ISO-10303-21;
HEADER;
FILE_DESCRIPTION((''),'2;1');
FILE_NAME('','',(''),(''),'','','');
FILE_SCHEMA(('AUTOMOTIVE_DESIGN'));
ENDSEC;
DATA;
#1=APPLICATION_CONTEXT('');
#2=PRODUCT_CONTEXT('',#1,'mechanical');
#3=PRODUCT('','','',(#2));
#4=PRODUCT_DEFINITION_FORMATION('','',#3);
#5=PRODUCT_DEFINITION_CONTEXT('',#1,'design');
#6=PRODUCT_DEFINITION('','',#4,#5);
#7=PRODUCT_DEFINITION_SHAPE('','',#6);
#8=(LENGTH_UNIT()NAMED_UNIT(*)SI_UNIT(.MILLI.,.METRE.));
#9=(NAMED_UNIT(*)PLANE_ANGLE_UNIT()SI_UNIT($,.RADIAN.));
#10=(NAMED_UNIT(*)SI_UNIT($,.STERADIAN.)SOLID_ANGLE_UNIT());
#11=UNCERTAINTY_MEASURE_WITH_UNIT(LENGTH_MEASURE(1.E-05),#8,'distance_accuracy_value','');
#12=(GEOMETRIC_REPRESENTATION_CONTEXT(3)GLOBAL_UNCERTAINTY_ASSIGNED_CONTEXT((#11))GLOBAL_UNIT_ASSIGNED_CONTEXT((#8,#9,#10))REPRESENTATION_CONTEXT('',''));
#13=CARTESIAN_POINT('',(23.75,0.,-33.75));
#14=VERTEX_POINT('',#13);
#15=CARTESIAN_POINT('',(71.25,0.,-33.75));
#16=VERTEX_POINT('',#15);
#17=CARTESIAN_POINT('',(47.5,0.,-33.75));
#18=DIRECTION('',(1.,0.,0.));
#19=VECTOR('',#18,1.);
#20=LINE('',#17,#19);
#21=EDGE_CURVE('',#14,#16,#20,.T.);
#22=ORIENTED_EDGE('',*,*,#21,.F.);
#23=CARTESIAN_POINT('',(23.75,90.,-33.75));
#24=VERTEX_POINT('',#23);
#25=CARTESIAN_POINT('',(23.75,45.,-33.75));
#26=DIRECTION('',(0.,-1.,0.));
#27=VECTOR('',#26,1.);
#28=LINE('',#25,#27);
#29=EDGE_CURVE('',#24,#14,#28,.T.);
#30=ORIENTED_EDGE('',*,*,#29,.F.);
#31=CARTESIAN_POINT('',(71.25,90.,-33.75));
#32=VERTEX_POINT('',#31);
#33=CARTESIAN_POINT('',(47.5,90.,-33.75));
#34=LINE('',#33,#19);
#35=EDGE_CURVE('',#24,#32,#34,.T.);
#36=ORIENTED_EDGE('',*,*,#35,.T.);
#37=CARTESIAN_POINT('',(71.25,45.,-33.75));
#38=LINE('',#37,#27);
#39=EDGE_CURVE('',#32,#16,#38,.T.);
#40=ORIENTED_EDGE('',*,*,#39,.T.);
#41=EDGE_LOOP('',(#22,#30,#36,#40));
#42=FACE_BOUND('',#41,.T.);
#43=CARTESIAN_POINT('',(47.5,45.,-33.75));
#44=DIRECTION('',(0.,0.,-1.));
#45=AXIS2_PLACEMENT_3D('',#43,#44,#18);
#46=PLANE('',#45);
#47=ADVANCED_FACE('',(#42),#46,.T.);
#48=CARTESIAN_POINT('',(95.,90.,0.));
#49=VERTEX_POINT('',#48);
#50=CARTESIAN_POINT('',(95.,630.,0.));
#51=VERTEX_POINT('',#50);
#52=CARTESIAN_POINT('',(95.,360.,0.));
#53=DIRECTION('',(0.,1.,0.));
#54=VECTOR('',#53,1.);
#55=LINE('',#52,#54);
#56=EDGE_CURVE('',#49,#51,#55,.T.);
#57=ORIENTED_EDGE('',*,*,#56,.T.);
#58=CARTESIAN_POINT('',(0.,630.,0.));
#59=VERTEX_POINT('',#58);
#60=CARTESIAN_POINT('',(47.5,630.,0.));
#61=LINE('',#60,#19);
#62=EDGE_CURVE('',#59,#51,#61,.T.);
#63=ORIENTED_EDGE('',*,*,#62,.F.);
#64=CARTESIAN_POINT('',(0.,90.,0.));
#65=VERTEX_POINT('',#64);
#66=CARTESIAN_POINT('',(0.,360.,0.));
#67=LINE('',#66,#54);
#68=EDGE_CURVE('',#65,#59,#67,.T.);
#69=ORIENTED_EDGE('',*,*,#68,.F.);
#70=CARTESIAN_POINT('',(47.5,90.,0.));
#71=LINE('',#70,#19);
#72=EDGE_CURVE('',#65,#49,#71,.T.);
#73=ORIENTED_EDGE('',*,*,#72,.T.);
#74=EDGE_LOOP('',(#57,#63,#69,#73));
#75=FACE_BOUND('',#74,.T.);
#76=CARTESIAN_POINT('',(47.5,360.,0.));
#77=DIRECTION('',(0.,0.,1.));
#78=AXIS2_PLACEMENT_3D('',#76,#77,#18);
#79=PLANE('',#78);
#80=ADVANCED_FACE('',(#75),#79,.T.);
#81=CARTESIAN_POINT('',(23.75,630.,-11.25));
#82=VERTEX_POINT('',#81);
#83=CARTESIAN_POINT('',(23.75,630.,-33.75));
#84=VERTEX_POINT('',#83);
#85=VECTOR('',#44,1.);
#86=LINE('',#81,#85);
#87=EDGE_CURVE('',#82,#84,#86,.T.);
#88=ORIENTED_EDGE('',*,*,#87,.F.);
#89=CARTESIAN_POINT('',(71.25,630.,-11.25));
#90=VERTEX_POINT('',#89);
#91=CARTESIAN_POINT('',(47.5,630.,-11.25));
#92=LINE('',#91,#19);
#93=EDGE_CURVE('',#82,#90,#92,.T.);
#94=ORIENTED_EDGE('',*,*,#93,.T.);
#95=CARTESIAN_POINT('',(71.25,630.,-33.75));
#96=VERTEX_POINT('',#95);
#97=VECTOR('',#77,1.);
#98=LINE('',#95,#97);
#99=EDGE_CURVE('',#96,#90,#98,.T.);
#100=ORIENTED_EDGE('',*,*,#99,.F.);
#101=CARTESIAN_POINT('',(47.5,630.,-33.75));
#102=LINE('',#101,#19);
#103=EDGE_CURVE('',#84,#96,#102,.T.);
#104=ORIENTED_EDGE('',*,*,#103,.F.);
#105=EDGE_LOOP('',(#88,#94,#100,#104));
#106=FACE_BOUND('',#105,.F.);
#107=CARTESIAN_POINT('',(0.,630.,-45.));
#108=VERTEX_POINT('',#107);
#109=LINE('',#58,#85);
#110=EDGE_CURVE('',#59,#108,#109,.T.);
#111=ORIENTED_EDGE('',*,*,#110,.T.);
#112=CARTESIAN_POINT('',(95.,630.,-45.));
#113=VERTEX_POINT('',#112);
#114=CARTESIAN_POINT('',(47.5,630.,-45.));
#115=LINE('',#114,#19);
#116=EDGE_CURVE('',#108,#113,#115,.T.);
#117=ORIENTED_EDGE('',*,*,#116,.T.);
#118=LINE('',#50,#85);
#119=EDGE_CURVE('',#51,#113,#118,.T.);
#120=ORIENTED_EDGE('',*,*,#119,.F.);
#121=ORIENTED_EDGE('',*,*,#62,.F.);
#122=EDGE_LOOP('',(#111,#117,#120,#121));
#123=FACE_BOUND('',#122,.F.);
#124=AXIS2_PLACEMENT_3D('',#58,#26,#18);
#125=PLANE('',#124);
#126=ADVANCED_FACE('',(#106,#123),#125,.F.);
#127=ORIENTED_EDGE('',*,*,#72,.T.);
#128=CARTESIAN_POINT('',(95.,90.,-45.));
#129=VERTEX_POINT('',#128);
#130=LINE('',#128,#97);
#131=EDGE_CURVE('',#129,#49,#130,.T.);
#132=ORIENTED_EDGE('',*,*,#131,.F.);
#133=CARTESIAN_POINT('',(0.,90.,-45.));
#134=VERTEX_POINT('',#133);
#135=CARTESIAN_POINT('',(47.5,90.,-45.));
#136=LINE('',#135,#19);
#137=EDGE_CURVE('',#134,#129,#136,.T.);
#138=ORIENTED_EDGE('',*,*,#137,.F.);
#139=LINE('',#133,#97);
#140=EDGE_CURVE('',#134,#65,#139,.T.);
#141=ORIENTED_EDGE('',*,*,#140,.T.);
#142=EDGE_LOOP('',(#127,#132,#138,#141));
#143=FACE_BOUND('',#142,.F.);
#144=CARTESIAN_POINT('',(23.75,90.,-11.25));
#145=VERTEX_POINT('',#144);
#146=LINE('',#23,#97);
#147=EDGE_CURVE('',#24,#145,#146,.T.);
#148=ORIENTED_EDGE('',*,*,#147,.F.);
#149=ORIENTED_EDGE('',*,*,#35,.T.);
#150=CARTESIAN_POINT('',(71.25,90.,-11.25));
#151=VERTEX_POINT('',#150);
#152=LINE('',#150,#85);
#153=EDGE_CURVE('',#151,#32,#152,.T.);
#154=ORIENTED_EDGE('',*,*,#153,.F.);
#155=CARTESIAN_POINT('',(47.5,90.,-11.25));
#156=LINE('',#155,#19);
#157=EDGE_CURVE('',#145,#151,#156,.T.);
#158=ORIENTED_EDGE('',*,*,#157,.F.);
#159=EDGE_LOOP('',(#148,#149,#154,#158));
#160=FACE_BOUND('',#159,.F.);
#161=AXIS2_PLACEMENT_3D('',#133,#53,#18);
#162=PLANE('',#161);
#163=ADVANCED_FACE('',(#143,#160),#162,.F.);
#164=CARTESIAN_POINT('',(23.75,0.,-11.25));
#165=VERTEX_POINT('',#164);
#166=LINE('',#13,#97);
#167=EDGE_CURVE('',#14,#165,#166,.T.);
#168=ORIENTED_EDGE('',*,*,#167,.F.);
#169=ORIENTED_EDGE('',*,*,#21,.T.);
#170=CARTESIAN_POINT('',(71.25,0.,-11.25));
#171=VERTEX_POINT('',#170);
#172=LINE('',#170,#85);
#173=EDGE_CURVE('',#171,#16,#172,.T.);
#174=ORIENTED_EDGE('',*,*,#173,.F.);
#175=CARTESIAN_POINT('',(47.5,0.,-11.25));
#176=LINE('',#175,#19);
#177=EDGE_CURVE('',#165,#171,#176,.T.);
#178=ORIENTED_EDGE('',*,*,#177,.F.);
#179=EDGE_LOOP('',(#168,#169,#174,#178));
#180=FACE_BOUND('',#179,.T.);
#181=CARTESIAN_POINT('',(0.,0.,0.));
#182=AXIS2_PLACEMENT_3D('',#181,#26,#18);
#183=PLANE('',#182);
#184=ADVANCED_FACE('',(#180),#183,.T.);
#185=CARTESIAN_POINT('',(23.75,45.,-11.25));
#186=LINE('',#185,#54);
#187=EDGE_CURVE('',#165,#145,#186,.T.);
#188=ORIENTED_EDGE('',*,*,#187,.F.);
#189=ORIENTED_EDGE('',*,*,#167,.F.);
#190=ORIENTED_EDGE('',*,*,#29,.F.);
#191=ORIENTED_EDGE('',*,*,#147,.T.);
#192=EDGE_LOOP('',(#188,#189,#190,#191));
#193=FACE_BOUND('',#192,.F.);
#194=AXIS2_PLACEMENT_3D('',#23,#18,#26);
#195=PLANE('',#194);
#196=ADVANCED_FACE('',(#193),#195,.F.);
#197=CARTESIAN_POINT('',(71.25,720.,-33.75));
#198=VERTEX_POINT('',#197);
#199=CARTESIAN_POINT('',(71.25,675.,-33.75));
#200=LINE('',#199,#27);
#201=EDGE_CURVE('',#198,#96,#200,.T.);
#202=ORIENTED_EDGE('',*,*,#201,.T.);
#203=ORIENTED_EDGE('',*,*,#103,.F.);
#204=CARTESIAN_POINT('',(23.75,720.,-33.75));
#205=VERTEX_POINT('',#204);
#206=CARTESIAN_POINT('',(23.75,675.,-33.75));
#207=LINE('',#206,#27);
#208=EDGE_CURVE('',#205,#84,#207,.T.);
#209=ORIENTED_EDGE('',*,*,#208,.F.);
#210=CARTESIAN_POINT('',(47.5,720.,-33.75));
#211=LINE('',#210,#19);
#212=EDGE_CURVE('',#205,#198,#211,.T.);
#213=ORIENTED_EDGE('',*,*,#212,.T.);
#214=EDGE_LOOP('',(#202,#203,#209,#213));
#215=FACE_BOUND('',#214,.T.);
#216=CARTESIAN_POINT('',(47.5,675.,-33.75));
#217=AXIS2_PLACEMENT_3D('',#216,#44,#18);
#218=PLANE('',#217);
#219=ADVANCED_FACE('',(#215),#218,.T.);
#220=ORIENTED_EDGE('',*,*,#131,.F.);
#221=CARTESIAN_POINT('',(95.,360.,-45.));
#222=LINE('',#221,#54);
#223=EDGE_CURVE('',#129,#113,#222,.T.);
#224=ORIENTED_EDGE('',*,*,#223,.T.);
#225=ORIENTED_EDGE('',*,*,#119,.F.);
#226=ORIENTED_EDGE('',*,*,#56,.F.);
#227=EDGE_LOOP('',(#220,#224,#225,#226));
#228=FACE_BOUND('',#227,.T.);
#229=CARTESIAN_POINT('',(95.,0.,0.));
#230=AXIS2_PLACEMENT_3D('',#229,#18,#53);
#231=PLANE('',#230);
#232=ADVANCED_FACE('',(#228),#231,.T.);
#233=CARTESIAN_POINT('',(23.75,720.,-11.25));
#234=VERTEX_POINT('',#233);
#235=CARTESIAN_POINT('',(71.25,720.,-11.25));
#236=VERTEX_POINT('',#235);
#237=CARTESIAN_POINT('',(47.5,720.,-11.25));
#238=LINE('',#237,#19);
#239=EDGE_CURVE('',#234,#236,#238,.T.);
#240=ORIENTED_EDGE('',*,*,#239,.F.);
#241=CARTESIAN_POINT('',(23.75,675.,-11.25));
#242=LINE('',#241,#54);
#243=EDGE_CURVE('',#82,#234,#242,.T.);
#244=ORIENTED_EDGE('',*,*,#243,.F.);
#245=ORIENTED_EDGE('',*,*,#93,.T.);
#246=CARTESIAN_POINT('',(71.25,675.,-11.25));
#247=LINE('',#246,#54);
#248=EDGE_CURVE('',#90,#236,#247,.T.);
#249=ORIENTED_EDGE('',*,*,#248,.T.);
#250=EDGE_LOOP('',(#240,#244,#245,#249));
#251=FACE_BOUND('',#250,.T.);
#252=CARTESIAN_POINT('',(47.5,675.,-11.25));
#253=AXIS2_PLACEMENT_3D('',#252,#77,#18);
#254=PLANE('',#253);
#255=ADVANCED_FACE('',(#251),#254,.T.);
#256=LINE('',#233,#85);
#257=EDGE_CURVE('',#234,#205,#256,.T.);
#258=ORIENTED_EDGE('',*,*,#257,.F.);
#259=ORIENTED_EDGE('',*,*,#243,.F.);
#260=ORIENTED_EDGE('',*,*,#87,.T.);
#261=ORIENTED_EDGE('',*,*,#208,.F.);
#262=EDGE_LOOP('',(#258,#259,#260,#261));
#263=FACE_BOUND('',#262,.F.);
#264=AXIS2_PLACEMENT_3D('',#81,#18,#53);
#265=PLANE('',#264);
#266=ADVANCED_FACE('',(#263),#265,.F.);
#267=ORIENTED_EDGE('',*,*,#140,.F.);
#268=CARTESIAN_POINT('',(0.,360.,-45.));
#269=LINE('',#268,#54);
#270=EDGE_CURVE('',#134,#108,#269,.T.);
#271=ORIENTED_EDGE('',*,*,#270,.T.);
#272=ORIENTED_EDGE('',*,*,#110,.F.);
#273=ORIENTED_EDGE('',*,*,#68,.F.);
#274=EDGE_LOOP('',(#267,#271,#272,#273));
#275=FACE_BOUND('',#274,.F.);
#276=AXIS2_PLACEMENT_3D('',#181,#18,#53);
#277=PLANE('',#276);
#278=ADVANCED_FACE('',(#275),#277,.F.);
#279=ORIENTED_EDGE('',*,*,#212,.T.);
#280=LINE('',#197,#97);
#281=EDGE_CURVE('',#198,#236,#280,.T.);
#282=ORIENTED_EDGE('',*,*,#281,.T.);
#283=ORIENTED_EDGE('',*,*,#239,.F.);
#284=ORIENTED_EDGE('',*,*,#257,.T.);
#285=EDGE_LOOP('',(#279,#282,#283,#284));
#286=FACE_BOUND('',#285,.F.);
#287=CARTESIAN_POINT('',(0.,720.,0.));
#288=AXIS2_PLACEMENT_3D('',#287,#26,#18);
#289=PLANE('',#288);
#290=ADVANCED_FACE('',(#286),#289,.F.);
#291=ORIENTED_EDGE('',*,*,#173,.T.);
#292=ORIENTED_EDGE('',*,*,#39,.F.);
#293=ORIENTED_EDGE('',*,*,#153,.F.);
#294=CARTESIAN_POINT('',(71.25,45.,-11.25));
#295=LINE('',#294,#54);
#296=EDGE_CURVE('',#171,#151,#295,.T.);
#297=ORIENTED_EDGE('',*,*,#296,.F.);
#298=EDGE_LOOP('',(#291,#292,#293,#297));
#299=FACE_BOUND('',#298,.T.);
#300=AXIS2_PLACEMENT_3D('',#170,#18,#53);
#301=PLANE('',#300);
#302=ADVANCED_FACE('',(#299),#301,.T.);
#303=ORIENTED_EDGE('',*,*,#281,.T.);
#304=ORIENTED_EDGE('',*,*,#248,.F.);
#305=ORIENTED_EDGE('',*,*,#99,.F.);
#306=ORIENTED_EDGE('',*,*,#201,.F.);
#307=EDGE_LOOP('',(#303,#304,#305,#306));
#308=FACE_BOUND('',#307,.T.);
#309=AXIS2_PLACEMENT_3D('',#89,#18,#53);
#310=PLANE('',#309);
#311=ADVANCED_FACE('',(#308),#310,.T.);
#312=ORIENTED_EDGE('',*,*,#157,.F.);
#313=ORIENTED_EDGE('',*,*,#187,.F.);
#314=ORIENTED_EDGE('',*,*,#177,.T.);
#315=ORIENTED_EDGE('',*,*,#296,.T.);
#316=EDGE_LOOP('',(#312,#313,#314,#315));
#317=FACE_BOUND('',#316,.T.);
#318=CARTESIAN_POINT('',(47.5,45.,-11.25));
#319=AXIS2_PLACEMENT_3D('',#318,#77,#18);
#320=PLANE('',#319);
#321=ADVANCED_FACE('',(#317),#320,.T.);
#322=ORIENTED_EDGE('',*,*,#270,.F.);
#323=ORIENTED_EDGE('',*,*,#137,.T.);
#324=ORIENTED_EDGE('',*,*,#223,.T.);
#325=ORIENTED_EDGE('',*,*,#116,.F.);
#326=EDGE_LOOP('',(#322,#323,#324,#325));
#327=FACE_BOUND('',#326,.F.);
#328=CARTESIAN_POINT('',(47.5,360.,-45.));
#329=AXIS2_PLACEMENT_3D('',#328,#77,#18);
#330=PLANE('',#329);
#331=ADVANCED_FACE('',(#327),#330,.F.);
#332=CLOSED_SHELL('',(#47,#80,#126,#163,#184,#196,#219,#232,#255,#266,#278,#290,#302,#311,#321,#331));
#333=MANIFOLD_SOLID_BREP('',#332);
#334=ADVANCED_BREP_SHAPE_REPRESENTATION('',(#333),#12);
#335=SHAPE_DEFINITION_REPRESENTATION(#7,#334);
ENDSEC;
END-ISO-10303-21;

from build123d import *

# Parameters (mm, degrees)
SKETCH004_W     = 95
SKETCH004_H     = 720
PAD002_DEPTH    = 45
SKETCH014_W     = 95
SKETCH014_H     = 90
POCKET008_DEPTH = 11.25
SKETCH015_W     = 95
SKETCH015_H     = 90
POCKET009_DEPTH = 11.25
SKETCH016_W     = 23.75
SKETCH016_H     = 90
POCKET010_DEPTH = 11.25
SKETCH017_W     = 23.75
SKETCH017_H     = 90
POCKET011_DEPTH = 11.25
SKETCH018_W     = 23.75
SKETCH018_H     = 90
POCKET012_DEPTH = 11.25
SKETCH019_W     = 23.75
SKETCH019_H     = 90
POCKET013_DEPTH = 11.25


with BuildPart() as part:
    # Sketch004 → Pad002 (new body)
    with BuildSketch(Plane.XY):
        with Locations((47.5, 360)):
            Rectangle(SKETCH004_W, SKETCH004_H)
    extrude(amount=-PAD002_DEPTH)

    # Sketch014 (on Face5 of Pad002) → Pocket008 (cut)
    with BuildSketch(Plane.XY):
        with Locations((47.5, 45)):
            Rectangle(SKETCH014_W, SKETCH014_H)
        with Locations((47.5, 675)):
            Rectangle(SKETCH014_W, SKETCH014_H)
    extrude(amount=-POCKET008_DEPTH, mode=Mode.SUBTRACT)

    # Sketch015 (on Face4 of Pocket008) → Pocket009 (cut)
    with BuildSketch(Plane(origin=(0, 0, -45), x_dir=(1, 0, 0), z_dir=(0, 0, -1))):
        with Locations((47.5, -45)):
            Rectangle(SKETCH015_W, SKETCH015_H)
        with Locations((47.5, -675)):
            Rectangle(SKETCH015_W, SKETCH015_H)
    extrude(amount=-POCKET009_DEPTH, mode=Mode.SUBTRACT)

    # Sketch016 (on Face9 of Pocket009) → Pocket010 (cut)
    with BuildSketch(Plane.XY.offset(-11.25)):
        with Locations((11.875, 45)):
            Rectangle(SKETCH016_W, SKETCH016_H)
        with Locations((83.125, 45)):
            Rectangle(SKETCH016_W, SKETCH016_H)
    extrude(amount=-POCKET010_DEPTH, mode=Mode.SUBTRACT)

    # Sketch017 (on Face11 of Pocket010) → Pocket011 (cut)
    with BuildSketch(Plane(origin=(0, 0, -33.75), x_dir=(1, 0, 0), z_dir=(0, 0, -1))):
        with Locations((83.125, -45)):
            Rectangle(SKETCH017_W, SKETCH017_H)
        with Locations((11.875, -45)):
            Rectangle(SKETCH017_W, SKETCH017_H)
    extrude(amount=-POCKET011_DEPTH, mode=Mode.SUBTRACT)

    # Sketch018 (on Face5 of Pocket011) → Pocket012 (cut)
    with BuildSketch(Plane.XY.offset(-11.25)):
        with Locations((83.125, 675)):
            Rectangle(SKETCH018_W, SKETCH018_H)
        with Locations((11.875, 675)):
            Rectangle(SKETCH018_W, SKETCH018_H)
    extrude(amount=-POCKET012_DEPTH, mode=Mode.SUBTRACT)

    # Sketch019 (on Face3 of Pocket012) → Pocket013 (cut)
    with BuildSketch(Plane(origin=(0, 0, -33.75), x_dir=(1, 0, 0), z_dir=(0, 0, -1))):
        with Locations((11.875, -675)):
            Rectangle(SKETCH019_W, SKETCH019_H)
        with Locations((83.125, -675)):
            Rectangle(SKETCH019_W, SKETCH019_H)
    extrude(amount=-POCKET013_DEPTH, mode=Mode.SUBTRACT)


solid = part.part
